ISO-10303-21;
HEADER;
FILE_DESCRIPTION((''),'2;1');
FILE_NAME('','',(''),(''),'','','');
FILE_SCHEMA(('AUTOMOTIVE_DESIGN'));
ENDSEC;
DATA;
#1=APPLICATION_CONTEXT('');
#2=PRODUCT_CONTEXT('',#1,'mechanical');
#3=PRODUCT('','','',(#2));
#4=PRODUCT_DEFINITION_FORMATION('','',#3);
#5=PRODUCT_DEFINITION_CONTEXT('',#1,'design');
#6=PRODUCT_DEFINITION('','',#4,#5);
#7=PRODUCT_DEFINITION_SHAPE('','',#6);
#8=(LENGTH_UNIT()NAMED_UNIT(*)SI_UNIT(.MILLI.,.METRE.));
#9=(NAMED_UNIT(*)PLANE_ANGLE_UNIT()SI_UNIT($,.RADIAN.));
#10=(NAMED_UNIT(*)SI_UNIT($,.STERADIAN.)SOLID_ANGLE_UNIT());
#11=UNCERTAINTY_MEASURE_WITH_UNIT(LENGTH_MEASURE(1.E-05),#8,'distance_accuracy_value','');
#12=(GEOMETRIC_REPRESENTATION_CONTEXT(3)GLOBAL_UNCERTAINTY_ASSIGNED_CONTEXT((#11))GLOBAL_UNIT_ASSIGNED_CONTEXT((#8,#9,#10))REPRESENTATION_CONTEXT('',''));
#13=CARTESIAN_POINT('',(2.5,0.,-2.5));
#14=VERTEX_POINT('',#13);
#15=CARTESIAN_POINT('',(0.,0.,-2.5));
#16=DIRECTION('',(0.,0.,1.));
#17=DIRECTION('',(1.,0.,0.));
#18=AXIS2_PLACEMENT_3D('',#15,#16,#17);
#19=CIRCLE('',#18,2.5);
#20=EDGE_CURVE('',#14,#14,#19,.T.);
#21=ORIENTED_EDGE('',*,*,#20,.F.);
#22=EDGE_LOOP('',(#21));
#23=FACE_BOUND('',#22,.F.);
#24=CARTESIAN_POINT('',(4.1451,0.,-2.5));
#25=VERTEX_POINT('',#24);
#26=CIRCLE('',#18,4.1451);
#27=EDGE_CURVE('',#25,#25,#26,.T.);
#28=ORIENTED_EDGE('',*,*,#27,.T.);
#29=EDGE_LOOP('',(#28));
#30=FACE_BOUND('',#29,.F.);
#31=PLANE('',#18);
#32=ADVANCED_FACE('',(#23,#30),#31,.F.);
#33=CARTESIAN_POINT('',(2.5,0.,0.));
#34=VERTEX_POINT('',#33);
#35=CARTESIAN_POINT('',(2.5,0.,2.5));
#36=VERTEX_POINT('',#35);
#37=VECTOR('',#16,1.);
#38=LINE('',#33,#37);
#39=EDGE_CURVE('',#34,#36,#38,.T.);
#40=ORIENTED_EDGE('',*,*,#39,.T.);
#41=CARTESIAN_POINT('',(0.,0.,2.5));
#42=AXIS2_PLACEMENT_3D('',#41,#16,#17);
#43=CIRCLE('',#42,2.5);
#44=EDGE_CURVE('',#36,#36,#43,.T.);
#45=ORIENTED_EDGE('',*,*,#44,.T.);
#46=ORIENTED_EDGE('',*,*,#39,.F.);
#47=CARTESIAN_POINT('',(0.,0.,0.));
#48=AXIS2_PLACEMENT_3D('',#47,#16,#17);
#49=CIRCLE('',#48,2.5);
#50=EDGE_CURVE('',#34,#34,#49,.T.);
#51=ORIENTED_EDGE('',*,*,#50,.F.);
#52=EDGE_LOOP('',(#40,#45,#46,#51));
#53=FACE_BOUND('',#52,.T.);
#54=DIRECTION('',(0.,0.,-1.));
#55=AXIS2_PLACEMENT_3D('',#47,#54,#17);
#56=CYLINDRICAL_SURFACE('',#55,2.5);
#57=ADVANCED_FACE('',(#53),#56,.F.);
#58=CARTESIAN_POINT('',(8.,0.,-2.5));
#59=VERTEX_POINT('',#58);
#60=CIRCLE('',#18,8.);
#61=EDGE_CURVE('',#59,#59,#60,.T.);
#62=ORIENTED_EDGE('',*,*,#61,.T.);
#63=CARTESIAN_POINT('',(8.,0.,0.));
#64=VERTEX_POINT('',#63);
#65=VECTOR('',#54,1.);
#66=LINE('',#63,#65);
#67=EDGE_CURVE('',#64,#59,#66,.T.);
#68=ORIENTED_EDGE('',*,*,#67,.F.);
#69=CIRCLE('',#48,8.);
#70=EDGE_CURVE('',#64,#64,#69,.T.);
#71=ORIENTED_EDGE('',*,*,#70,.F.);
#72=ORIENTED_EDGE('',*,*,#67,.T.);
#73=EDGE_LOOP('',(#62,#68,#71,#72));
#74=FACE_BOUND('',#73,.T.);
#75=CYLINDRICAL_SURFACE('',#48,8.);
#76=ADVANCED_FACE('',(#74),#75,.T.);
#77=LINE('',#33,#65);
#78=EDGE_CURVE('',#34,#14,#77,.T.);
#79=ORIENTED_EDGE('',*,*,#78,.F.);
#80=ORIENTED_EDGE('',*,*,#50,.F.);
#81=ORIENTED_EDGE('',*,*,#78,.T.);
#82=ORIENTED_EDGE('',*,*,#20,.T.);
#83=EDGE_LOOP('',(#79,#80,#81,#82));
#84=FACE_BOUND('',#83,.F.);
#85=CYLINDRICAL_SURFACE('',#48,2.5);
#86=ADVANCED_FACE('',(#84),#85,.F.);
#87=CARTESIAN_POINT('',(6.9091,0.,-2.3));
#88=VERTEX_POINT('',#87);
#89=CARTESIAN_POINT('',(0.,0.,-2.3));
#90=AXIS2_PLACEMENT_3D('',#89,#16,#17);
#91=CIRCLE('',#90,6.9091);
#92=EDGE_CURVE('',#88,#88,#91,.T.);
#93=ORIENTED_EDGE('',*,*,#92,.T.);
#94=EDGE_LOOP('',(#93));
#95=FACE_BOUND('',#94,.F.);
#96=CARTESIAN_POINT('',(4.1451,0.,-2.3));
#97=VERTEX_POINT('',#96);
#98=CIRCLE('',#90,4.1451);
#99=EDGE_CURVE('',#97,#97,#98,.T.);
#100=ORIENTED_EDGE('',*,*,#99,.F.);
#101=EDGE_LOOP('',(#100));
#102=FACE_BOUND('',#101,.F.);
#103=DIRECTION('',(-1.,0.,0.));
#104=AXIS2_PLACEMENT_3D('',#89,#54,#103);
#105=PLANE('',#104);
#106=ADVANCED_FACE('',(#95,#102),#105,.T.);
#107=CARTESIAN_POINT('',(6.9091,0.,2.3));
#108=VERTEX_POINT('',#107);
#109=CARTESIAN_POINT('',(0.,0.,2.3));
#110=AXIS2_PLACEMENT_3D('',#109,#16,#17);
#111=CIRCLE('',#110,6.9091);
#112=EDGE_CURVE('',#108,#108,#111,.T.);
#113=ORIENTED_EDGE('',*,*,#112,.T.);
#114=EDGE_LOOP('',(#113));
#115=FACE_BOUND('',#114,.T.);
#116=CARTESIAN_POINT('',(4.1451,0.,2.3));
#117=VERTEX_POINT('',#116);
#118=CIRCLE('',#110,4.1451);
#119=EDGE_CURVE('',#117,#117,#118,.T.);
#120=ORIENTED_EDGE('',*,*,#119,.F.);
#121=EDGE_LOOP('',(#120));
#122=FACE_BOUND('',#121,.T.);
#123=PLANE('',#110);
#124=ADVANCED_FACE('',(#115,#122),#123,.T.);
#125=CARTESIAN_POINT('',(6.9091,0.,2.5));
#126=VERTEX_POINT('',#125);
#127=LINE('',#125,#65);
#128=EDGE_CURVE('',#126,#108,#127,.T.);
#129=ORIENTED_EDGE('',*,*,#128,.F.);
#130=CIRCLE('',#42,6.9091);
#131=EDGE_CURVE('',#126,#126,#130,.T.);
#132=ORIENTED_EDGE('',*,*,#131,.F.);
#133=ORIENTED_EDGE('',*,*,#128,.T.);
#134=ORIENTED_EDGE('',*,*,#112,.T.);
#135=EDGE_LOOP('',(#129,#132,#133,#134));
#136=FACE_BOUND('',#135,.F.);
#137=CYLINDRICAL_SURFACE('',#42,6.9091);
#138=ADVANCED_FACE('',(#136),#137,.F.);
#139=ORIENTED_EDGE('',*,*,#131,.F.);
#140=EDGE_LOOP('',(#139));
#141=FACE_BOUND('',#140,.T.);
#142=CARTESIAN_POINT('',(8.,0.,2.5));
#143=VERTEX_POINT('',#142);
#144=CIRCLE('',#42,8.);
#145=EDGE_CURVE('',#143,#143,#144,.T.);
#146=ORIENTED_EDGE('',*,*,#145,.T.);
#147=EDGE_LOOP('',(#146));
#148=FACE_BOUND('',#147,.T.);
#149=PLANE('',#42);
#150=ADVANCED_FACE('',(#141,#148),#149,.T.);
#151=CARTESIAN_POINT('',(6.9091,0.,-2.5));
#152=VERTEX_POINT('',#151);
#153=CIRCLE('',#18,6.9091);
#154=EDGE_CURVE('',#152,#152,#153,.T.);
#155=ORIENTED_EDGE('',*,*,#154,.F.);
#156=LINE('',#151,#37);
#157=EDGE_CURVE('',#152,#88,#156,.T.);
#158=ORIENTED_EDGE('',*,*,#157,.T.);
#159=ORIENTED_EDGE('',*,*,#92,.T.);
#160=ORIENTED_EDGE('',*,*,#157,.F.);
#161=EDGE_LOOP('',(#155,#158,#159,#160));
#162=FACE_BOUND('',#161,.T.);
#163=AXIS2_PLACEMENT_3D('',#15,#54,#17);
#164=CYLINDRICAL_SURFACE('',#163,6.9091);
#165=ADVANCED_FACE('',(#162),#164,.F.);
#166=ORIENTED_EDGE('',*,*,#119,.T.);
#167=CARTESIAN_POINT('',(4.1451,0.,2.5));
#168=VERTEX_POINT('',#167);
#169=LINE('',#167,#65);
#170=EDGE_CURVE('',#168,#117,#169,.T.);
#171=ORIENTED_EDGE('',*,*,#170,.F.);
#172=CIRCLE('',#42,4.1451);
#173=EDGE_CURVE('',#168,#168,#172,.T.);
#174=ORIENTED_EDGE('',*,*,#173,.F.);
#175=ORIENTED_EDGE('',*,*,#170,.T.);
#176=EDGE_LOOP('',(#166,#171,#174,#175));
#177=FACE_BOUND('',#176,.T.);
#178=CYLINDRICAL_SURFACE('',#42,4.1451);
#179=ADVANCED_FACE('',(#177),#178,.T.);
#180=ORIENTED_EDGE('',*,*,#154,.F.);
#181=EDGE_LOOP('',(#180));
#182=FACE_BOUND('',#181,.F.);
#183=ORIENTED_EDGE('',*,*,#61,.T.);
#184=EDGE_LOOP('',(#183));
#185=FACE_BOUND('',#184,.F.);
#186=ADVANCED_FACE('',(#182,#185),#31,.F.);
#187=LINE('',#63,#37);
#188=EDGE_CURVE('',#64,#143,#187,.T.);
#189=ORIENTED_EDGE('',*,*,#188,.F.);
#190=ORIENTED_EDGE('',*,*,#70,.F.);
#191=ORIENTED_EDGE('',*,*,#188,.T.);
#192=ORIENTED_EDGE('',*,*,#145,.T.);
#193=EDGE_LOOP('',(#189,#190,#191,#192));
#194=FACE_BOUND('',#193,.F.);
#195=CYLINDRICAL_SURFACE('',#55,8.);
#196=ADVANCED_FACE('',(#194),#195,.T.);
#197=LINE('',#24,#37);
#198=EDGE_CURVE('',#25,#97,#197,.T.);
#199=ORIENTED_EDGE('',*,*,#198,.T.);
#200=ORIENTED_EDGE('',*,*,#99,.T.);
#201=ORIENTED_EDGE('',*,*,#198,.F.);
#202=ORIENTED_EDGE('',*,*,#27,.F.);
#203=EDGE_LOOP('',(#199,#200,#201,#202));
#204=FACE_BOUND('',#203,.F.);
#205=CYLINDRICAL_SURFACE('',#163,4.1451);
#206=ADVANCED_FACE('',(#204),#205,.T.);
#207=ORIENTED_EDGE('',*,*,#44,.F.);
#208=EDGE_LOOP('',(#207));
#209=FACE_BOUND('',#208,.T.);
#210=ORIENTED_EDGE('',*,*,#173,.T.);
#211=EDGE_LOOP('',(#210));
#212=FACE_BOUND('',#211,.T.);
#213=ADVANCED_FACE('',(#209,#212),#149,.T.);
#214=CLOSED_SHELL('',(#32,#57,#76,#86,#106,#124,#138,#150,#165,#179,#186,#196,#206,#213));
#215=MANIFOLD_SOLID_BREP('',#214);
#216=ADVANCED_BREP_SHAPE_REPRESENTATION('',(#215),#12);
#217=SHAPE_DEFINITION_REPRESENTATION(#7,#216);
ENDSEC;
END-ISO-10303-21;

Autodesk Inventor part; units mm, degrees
ref_plane "YZ Plane" through (0, 0, 0) normal (1, 0, 0) x (0, 1, 0)
ref_plane "XZ Plane" through (0, 0, 0) normal (0, 1, 0) x (-1, 0, 0)
ref_plane "XY Plane" through (0, 0, 0) normal (0, 0, 1) x (1, 0, 0)
sketch "Sketch1" plane through (0, 0, 0) normal (0, 0, 1) x (1, 0, 0)
  circle A0 centre (0, 0) radius 8
  circle A1 centre (0, 0) radius 2.5
  dimension "d0" = 16
  dimension "d1" = 5
extrude "Extrusion1" add sketch "Sketch1" along normal mid plane 5
sketch "Sketch2" plane through (0, 0, 2.5) normal (0, 0, 1) x (1, 0, 0)
  circle A0 centre (0, 0) radius 4.1451
  circle A1 centre (0, 0) radius 6.9091
extrude "Extrusion2" cut sketch "Sketch2" against normal blind 0.2
mirror "Mirror1" about plane through (0, 0, 0) normal (0, 0, 1) of "Extrusion2"
properties part number "625 Bearing"
